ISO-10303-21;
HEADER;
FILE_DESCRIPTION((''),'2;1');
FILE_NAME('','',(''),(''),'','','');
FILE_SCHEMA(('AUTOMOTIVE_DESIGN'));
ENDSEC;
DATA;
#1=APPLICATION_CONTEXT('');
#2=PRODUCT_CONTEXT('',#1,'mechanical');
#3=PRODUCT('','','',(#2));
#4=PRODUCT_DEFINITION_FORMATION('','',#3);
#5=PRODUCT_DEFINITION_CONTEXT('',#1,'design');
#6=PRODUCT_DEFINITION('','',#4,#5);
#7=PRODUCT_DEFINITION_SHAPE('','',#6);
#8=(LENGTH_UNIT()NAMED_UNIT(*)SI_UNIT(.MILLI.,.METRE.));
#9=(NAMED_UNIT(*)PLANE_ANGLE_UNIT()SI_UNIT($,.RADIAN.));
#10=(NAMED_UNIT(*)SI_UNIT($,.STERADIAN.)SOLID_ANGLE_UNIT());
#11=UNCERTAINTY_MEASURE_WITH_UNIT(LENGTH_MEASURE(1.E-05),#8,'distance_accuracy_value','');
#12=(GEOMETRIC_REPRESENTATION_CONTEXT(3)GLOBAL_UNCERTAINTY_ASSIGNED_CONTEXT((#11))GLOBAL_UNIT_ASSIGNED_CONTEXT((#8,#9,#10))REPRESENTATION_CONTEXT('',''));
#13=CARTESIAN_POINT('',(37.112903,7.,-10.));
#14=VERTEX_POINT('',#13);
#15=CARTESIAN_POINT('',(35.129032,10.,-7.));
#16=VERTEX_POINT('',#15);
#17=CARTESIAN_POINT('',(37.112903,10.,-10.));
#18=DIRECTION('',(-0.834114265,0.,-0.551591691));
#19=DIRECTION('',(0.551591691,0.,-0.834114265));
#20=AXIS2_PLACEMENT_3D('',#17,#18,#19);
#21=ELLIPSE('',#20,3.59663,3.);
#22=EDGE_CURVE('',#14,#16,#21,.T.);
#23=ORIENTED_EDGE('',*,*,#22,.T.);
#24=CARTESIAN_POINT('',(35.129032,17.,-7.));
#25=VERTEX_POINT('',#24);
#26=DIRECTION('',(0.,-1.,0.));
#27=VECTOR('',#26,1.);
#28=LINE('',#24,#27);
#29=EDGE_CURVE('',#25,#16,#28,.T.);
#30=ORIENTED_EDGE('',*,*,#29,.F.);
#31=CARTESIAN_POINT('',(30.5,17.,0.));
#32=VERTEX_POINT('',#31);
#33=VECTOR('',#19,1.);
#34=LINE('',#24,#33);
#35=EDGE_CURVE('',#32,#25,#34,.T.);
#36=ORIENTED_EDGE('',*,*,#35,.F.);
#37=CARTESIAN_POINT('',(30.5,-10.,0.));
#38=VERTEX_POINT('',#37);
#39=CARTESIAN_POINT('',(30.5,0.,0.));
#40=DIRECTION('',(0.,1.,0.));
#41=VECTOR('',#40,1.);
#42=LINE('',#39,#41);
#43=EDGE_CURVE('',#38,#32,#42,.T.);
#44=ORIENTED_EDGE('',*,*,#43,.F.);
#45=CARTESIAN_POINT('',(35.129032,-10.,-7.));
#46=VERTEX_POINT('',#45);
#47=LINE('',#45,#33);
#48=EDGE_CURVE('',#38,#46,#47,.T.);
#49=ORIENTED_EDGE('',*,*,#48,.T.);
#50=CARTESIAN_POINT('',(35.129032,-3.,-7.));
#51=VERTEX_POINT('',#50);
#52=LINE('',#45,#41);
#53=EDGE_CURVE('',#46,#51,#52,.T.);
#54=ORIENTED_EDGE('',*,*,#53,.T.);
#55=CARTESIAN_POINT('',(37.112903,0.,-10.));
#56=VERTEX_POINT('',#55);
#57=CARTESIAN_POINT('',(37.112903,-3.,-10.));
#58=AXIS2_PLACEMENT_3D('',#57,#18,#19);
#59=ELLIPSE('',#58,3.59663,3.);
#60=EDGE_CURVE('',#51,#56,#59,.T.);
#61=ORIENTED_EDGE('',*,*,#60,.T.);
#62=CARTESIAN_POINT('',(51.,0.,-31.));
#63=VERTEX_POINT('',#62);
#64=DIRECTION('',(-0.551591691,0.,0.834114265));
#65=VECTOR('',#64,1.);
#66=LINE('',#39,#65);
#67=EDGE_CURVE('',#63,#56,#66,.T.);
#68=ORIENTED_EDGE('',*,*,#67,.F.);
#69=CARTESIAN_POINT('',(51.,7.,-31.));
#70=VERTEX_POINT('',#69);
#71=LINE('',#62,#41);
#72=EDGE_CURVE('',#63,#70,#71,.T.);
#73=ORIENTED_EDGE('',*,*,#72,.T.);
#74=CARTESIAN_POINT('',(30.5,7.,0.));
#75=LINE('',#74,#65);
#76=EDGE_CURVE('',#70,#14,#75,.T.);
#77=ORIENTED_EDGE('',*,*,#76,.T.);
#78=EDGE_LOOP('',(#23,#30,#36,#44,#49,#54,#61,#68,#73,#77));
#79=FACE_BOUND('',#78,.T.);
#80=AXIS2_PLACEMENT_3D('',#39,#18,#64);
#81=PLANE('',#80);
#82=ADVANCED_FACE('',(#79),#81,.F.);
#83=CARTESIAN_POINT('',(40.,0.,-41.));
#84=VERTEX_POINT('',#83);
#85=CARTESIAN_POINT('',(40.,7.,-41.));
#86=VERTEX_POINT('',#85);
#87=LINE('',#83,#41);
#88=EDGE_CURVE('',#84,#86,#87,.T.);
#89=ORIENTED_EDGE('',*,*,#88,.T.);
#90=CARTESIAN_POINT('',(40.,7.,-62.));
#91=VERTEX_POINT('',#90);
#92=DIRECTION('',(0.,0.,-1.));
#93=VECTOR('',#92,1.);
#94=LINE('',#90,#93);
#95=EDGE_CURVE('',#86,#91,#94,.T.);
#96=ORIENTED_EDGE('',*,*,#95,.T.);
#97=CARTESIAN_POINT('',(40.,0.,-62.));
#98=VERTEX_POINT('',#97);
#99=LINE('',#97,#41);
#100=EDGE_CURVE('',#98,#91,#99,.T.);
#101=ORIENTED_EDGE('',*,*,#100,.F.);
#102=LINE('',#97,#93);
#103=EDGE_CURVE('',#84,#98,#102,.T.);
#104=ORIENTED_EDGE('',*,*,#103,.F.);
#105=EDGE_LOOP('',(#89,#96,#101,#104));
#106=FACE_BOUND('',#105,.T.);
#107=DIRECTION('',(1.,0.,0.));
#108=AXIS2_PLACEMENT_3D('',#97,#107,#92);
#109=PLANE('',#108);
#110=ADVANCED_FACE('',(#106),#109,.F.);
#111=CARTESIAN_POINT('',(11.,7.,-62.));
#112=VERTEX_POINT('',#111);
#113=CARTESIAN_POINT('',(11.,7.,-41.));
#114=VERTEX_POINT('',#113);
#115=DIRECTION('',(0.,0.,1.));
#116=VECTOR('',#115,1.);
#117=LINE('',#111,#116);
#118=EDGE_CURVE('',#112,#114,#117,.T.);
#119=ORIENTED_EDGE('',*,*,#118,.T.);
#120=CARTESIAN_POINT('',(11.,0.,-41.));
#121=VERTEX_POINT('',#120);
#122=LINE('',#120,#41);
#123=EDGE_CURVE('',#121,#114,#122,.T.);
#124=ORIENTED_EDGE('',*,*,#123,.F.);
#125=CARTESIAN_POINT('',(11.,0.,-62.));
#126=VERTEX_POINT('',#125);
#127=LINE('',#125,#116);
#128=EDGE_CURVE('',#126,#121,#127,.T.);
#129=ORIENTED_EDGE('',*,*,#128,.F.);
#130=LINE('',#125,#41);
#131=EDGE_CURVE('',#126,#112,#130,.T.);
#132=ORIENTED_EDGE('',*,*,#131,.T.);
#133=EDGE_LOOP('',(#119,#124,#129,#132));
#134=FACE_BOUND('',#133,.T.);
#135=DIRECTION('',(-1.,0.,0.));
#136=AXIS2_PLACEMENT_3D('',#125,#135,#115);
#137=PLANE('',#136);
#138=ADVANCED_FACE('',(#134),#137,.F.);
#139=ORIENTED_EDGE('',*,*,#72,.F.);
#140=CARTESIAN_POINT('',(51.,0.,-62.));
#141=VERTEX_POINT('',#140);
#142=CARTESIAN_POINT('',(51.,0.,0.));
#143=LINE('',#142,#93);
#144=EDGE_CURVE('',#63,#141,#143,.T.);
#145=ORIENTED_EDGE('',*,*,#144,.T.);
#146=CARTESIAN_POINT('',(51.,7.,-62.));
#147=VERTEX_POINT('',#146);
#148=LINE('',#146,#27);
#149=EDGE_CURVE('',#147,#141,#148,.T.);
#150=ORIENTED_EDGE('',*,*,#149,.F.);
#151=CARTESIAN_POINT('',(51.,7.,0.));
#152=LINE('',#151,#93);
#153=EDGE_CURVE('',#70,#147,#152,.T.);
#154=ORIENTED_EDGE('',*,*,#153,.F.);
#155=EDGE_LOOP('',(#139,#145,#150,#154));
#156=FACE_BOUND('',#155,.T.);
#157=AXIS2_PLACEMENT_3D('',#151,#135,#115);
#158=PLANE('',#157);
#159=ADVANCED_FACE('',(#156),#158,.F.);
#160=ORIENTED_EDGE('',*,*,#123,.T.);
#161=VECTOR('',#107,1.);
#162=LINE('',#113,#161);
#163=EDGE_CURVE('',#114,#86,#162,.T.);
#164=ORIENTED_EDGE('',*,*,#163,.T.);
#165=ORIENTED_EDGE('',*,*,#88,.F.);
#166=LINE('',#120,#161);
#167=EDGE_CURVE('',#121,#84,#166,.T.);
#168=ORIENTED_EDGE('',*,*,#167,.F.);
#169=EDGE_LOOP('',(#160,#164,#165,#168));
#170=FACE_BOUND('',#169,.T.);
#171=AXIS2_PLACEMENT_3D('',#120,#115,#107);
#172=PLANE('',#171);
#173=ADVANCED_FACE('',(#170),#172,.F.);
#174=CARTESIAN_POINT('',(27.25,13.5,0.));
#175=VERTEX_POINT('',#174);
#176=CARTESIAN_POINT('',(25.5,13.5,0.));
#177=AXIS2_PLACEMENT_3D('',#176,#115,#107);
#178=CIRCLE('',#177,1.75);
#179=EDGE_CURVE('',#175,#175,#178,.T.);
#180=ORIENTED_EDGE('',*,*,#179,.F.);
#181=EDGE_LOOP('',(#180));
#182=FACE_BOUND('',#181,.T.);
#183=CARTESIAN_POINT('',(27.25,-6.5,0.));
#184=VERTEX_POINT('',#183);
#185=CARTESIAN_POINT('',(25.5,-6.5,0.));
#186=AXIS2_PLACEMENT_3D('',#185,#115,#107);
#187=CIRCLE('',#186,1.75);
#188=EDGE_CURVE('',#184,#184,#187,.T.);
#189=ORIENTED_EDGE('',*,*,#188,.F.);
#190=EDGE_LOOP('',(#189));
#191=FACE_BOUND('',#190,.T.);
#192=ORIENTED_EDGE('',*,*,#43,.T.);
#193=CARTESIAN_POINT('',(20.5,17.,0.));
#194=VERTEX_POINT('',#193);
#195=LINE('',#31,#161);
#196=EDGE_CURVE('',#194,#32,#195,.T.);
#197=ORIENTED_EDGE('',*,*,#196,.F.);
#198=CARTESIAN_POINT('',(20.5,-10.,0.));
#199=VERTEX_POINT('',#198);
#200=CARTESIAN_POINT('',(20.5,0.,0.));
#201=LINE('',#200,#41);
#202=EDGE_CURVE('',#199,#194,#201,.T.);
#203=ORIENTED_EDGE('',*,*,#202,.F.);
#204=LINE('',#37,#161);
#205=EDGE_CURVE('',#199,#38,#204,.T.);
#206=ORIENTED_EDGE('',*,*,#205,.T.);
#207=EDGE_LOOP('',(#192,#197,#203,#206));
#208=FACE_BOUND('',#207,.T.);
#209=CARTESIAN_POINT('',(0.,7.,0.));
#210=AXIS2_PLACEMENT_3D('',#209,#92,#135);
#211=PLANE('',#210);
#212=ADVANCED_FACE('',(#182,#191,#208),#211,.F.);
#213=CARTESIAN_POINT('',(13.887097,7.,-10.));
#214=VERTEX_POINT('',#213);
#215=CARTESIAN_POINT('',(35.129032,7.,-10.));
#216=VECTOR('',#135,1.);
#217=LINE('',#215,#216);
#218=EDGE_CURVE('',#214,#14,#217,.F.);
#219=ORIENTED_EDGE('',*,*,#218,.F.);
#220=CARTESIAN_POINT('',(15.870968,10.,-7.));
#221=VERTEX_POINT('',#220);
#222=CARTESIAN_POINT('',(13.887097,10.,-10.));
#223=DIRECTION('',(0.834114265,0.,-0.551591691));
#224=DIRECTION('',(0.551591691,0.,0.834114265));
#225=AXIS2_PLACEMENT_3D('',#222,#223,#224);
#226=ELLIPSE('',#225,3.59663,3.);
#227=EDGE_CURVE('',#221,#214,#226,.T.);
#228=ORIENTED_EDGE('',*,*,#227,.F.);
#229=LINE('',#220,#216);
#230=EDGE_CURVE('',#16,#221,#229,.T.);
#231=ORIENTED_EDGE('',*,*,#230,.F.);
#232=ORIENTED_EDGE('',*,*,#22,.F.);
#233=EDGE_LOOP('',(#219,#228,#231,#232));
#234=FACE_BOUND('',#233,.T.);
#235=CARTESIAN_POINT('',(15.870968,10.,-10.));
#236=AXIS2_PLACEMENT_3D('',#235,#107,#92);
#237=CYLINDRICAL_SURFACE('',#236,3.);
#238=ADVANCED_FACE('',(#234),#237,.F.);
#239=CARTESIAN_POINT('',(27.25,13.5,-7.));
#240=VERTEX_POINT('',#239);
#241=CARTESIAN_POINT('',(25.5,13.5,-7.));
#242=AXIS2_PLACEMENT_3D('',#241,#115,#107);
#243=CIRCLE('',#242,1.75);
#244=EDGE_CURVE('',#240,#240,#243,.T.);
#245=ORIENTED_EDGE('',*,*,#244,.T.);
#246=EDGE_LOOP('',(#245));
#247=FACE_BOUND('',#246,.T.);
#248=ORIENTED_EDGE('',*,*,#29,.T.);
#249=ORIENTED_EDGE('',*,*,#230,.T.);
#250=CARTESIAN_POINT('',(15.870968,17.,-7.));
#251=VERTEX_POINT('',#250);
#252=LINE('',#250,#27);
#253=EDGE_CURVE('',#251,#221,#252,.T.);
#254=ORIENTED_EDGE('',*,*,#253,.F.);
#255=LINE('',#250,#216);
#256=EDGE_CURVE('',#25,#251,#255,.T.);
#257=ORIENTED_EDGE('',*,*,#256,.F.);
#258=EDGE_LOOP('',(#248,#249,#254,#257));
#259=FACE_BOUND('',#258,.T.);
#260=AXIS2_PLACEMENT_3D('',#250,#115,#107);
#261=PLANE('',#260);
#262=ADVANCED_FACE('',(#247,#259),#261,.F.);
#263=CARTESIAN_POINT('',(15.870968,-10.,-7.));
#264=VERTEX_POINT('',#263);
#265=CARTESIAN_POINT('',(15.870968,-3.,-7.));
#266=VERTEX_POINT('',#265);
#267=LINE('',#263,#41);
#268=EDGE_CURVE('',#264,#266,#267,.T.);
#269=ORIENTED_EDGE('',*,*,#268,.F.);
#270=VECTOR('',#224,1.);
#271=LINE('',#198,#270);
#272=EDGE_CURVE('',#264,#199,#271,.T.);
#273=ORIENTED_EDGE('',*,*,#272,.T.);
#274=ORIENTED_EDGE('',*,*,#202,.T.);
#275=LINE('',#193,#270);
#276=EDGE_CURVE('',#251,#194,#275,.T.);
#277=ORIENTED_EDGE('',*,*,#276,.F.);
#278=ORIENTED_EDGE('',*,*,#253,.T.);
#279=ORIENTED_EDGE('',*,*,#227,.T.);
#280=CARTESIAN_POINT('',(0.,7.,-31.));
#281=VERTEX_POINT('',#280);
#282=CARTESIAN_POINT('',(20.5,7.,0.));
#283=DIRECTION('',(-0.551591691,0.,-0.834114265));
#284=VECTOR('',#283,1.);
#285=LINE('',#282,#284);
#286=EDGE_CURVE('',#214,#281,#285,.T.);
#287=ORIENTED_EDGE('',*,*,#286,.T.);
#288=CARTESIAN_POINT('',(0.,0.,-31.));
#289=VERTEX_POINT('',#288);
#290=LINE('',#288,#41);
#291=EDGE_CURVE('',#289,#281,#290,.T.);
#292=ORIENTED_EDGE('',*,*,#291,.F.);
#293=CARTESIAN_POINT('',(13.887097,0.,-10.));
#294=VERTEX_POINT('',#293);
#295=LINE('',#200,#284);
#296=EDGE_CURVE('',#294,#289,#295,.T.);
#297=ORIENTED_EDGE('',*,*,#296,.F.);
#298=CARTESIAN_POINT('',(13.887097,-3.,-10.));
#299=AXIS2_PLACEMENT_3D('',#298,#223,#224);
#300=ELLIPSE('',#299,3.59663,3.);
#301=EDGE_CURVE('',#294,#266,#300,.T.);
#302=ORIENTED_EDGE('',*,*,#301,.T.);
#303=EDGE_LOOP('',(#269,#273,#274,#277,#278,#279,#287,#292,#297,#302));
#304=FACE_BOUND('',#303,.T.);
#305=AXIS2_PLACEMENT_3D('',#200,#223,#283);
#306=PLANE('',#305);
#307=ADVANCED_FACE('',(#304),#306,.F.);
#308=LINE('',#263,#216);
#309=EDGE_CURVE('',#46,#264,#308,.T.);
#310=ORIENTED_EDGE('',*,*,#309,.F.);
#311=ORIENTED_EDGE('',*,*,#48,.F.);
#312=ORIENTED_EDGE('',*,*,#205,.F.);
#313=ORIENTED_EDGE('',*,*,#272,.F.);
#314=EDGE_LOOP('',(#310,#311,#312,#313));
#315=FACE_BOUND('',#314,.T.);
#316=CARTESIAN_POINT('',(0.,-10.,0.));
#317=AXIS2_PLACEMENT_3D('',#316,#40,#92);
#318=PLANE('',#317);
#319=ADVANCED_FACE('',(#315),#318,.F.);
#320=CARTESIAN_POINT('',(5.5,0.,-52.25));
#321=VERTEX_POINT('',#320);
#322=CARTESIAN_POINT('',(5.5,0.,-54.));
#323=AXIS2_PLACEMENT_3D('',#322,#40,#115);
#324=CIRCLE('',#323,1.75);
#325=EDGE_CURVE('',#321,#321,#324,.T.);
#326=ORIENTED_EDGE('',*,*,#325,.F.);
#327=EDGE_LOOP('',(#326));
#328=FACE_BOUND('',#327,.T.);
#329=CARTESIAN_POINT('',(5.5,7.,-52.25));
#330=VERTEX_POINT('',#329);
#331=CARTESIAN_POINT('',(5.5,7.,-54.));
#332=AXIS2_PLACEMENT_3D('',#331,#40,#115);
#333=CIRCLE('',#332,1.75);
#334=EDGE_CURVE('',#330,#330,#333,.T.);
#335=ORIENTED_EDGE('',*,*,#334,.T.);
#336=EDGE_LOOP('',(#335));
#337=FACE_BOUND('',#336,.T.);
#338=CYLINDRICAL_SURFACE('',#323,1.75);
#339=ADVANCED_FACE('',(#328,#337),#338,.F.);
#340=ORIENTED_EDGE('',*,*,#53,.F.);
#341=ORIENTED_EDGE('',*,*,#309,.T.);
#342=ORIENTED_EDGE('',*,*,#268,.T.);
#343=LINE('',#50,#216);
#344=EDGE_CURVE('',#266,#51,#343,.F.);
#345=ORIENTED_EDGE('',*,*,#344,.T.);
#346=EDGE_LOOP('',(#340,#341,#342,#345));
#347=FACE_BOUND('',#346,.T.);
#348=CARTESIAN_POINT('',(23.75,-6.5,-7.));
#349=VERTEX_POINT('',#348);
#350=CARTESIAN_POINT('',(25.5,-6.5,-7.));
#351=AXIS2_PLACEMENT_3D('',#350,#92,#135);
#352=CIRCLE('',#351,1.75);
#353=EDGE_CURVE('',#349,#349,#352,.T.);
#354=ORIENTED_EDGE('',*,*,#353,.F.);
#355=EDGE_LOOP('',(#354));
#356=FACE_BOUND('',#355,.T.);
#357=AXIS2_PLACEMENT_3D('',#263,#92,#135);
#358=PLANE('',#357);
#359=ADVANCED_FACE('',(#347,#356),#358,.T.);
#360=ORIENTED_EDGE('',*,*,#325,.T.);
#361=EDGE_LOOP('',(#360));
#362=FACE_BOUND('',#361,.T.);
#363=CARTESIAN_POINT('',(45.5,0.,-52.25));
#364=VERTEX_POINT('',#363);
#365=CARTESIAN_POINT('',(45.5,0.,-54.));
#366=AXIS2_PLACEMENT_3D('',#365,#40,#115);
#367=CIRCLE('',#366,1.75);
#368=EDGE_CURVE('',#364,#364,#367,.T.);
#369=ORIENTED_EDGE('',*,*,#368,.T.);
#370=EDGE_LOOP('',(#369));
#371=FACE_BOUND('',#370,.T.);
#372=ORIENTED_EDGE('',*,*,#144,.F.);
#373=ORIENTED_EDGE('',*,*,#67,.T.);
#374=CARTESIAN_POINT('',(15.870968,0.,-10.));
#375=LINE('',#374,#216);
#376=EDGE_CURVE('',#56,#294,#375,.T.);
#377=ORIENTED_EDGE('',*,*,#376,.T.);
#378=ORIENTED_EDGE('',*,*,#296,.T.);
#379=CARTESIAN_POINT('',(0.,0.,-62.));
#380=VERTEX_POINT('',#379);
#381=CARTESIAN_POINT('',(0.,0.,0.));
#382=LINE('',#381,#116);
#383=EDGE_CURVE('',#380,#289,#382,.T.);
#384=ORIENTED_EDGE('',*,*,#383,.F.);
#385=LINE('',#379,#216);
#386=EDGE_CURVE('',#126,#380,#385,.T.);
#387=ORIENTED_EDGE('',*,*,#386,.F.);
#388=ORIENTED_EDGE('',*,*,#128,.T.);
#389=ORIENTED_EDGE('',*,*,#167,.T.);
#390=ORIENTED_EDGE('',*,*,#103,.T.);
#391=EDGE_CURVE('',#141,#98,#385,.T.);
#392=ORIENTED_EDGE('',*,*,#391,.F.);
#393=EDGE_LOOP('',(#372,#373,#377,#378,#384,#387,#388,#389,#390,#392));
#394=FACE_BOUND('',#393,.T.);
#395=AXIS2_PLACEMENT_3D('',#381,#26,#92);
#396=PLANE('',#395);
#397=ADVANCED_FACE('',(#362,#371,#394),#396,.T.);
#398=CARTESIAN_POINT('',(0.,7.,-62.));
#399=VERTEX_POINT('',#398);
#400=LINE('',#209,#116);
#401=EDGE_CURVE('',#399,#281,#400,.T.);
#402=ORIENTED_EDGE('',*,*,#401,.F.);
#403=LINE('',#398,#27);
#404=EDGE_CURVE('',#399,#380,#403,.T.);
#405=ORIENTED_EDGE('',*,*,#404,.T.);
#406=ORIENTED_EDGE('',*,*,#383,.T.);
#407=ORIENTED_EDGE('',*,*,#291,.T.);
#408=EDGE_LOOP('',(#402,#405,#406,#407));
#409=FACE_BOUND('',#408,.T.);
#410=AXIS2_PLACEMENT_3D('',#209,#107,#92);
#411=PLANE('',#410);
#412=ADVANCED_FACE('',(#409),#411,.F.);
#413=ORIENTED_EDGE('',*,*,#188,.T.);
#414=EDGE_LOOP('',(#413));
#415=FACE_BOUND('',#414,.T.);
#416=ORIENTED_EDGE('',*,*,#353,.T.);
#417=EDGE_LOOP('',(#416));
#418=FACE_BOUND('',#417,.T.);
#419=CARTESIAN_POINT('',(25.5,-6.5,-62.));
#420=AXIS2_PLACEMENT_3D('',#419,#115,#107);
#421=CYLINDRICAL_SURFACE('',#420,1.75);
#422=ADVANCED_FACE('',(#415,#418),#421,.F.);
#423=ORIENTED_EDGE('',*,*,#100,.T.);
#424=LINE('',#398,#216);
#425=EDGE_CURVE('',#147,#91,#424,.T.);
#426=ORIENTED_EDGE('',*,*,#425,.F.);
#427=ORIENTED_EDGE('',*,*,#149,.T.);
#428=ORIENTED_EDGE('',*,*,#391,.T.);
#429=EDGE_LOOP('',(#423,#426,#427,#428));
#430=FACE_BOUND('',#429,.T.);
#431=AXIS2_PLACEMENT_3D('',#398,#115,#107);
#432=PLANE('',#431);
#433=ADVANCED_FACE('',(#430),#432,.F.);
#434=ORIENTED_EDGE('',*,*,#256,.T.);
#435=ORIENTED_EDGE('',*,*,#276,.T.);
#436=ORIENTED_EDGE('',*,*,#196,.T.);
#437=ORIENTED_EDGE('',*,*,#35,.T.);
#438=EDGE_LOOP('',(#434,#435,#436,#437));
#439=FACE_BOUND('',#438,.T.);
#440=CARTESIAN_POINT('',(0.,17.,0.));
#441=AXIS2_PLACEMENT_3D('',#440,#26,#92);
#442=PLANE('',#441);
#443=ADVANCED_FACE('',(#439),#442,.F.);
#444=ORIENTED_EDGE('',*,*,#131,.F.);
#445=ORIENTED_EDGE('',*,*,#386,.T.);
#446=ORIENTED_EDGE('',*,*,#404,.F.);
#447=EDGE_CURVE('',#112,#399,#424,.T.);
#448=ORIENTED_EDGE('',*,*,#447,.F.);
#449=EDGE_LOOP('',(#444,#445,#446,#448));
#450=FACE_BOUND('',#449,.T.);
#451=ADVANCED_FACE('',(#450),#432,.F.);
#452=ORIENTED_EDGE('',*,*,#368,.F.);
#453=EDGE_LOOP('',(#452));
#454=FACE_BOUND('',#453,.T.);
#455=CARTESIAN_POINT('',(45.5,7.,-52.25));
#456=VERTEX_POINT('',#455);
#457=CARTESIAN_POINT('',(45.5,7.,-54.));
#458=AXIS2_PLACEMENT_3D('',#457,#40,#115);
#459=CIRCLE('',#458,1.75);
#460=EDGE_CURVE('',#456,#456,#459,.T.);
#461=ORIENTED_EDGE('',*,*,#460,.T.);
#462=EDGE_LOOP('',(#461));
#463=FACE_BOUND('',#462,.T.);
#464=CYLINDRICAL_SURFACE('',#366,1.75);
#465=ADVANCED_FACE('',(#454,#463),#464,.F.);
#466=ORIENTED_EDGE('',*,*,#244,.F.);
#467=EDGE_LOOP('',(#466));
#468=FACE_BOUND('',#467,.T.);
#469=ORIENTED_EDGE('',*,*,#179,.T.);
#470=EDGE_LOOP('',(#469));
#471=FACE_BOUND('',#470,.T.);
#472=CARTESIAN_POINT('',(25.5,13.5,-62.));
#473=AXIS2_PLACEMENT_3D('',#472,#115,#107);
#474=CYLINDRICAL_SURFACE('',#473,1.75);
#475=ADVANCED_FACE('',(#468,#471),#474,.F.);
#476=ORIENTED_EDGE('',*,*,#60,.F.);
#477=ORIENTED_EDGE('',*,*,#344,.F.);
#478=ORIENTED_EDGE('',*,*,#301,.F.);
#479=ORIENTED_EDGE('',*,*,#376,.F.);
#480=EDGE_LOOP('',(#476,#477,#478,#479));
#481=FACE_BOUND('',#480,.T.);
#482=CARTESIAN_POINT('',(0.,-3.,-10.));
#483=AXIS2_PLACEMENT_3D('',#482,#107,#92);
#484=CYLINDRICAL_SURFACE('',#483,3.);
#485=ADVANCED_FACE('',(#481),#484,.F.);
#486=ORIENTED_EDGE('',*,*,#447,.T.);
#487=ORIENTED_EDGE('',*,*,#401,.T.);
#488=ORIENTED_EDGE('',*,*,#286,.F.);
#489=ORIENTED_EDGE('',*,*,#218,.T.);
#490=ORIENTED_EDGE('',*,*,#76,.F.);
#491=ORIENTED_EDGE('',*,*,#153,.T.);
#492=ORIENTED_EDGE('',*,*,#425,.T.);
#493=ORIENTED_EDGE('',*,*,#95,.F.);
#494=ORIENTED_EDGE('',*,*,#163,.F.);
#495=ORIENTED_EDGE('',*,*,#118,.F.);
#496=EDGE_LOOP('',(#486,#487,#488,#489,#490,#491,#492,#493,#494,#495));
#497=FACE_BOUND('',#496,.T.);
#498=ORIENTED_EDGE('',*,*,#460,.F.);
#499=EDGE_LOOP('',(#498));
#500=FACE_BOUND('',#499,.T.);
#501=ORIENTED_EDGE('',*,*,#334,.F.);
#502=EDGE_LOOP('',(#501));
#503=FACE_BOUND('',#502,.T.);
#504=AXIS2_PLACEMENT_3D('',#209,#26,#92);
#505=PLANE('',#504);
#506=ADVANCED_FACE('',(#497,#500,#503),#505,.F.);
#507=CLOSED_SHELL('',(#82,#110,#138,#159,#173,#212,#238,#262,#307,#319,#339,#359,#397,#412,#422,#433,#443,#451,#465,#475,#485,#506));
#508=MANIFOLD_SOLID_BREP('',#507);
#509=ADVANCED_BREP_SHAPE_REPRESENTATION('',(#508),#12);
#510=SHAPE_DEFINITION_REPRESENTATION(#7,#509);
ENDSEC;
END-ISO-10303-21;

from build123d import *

# Parameters (mm, degrees)
SKETCH1_W           = 51
SKETCH1_H           = 62
BOSS_EXTRUDE1_DEPTH = 7
SKETCH2_W           = 29
SKETCH2_H           = 21
CUT_EXTRUDE1_DEPTH  = 8
SKETCH9_R           = 1.75
CUT_EXTRUDE4_DEPTH  = 8
CUT_EXTRUDE5_DEPTH  = 8
BOSS_EXTRUDE4_DEPTH = 10
SKETCH13_R          = 1.75
CUT_EXTRUDE6_DEPTH  = 63
FILLET1_R           = 3


with BuildPart() as part:
    # Sketch1 → Boss-Extrude1 (new body)
    with BuildSketch(Plane(origin=(0, 0, 0), x_dir=(1, 0, 0), z_dir=(0, 1, 0))):
        with Locations((25.5, 31)):
            Rectangle(SKETCH1_W, SKETCH1_H)
    extrude(amount=BOSS_EXTRUDE1_DEPTH)

    # Sketch2 → Cut-Extrude1 (cut, through all)
    with BuildSketch(Plane(origin=(0, 7, 0), x_dir=(1, 0, 0), z_dir=(0, 1, 0))):
        with Locations((25.5, 51.5)):
            Rectangle(SKETCH2_W, SKETCH2_H)
    extrude(amount=-CUT_EXTRUDE1_DEPTH, mode=Mode.SUBTRACT)

    # Sketch9 → Cut-Extrude4 (cut, through all)
    with BuildSketch(Plane(origin=(0, 7, 0), x_dir=(1, 0, 0), z_dir=(0, 1, 0))):
        with Locations((5.5, 54)):
            Circle(SKETCH9_R)
        with Locations((45.5, 54)):
            Circle(SKETCH9_R)
    extrude(amount=-CUT_EXTRUDE4_DEPTH, mode=Mode.SUBTRACT)

    # Sketch11 → Cut-Extrude5 (cut, through all)
    with BuildSketch(Plane(origin=(0, 7, 0), x_dir=(1, 0, 0), z_dir=(0, 1, 0))):
        Polygon((20.5, 0), (0, 31), (0, 0), align=None)
        Polygon((30.5, 0), (51, 31), (51, 0), align=None)
    extrude(amount=-CUT_EXTRUDE5_DEPTH, mode=Mode.SUBTRACT)

    # Sketch12 → Boss-Extrude4 (add)
    with BuildSketch(Plane(origin=(0, 7, 0), x_dir=(1, 0, 0), z_dir=(0, 1, 0))):
        Polygon((30.5, 0), (20.5, 0), (15.870967742, 7), (35.129032258, 7), align=None)
    boss_extrude4 = extrude(amount=BOSS_EXTRUDE4_DEPTH)

    # Mirror1: Boss-Extrude4 across plane
    add(boss_extrude4.mirror(Plane.ZX.offset(3.5)))

    # Sketch13 → Cut-Extrude6 (cut, through all)
    with BuildSketch(Plane.XY):
        with Locations((25.5, 13.5)):
            Circle(SKETCH13_R)
        with Locations((25.5, -6.5)):
            Circle(SKETCH13_R)
    extrude(amount=-CUT_EXTRUDE6_DEPTH, mode=Mode.SUBTRACT)

    # Fillet1
    fillet1_edges = [part.edges().sort_by_distance(p)[0] for p in [
        (25.5, 7, -7),
        (25.5, 0, -7),
    ]]
    fillet(fillet1_edges, radius=FILLET1_R)


solid = part.part
